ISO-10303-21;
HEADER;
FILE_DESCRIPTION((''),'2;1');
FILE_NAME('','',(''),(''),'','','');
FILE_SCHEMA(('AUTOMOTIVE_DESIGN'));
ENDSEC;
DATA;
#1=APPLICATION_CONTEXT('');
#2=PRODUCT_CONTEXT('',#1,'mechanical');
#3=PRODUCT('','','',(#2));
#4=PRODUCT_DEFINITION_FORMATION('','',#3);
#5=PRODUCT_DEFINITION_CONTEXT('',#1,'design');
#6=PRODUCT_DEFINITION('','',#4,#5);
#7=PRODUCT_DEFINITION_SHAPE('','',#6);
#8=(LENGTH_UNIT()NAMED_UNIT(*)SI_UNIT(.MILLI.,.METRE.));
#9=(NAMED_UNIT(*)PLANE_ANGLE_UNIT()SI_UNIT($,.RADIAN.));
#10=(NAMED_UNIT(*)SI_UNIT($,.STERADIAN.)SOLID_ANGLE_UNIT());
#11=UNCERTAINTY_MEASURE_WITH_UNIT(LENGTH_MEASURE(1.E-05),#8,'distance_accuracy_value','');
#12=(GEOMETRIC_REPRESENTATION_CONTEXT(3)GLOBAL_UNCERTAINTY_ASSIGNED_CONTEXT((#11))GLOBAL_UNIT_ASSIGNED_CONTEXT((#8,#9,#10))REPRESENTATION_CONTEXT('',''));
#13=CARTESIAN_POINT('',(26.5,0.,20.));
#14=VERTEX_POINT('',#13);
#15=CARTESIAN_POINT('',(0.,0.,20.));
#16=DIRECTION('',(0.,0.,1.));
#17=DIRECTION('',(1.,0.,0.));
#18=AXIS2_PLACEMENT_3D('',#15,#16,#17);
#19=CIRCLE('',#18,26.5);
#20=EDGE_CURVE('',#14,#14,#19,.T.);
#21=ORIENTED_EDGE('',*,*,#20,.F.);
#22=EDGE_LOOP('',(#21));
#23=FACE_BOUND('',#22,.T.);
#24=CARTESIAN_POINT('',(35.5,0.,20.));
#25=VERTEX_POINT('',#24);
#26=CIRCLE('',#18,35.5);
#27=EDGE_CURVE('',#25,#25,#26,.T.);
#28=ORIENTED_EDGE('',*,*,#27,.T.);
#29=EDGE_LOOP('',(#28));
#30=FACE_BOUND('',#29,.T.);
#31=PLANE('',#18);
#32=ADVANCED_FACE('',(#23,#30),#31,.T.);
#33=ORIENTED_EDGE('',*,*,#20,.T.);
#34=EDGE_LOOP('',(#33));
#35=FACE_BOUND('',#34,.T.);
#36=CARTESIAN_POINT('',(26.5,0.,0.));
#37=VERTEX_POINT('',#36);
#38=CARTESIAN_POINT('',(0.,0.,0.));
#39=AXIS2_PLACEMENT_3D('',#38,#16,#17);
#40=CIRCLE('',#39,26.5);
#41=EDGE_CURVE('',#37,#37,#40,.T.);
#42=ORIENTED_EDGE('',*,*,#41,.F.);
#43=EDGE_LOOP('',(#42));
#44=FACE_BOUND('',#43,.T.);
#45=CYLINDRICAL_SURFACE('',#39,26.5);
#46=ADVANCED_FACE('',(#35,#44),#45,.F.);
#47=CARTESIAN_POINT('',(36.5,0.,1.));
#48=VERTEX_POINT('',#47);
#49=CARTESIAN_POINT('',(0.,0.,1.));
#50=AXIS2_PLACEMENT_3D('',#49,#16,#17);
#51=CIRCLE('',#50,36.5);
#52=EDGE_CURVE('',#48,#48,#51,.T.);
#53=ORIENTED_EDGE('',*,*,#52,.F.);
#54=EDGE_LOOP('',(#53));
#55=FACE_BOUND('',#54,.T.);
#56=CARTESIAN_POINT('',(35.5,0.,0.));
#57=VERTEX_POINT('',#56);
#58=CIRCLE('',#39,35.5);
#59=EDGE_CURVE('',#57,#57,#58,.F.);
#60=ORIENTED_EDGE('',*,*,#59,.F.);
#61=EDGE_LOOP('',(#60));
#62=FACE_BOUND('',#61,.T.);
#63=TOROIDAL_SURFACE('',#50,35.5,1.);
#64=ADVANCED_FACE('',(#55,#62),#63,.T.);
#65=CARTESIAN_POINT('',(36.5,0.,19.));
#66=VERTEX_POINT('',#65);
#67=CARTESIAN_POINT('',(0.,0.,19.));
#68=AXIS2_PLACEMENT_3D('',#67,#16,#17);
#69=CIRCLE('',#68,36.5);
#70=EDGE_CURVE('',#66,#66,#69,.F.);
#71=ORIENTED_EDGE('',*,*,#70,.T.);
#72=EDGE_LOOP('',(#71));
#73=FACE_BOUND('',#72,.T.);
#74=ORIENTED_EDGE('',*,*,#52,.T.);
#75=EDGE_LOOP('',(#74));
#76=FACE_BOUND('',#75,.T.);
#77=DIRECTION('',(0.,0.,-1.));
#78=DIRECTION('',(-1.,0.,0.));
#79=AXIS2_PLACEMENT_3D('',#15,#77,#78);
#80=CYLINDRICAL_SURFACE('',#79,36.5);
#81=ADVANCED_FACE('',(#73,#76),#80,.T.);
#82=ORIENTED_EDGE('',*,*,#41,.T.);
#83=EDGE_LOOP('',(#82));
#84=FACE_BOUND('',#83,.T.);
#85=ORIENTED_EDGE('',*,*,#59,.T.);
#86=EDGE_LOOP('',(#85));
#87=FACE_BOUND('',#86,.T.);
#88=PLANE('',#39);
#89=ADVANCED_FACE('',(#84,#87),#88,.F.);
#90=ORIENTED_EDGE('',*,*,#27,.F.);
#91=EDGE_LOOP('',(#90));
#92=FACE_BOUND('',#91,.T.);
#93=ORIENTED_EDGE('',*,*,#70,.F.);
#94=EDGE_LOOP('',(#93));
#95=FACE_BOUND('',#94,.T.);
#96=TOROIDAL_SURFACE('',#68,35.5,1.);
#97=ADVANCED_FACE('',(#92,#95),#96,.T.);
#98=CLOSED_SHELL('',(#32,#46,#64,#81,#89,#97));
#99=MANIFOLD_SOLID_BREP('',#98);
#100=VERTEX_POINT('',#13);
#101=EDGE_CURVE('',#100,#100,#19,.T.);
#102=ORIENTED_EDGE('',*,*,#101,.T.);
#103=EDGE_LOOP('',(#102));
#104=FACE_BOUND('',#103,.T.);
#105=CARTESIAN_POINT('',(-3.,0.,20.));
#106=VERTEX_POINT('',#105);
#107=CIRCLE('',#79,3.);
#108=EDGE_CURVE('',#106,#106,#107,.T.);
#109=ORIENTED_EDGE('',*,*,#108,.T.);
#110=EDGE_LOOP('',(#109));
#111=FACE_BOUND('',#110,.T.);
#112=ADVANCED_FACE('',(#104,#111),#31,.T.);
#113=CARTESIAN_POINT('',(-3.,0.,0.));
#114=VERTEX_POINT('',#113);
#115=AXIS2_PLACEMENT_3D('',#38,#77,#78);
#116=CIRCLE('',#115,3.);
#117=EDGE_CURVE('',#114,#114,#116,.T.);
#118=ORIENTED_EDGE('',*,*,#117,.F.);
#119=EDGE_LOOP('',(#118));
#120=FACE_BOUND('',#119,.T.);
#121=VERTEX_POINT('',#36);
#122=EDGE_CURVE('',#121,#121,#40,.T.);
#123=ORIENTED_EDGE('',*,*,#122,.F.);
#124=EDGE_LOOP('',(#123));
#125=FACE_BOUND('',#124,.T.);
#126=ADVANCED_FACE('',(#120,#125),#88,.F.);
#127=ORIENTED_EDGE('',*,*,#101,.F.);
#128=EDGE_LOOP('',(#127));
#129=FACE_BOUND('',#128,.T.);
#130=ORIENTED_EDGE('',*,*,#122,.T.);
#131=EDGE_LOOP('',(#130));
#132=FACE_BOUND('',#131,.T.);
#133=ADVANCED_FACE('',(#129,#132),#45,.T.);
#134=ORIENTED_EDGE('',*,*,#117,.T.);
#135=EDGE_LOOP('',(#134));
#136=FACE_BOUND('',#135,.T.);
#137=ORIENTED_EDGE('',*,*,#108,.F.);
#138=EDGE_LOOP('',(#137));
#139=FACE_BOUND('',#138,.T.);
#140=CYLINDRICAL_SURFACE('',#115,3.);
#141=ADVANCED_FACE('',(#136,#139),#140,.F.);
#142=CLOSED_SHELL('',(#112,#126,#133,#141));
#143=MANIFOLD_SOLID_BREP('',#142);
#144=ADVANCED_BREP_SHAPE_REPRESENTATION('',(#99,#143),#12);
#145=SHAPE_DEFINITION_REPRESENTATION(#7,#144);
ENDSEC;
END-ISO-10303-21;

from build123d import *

# Parameters (mm, degrees)
ESQUISSE1_R             = 36.5
BOSS_EXTRU_1_DEPTH      = 20
ESQUISSE2_R             = 26.5
ENL_V_MAT_EXTRU_2_DEPTH = 20
ESQUISSE4_R             = 26.5
BOSS_EXTRU_3_DEPTH      = 20
ESQUISSE9_W             = 3
ESQUISSE9_H             = 20
CONG_1_R                = 1


with BuildPart() as part:
    # Esquisse1 → Boss.-Extru.1 (new body)
    with BuildSketch(Plane.XY):
        Circle(ESQUISSE1_R)
    extrude(amount=BOSS_EXTRU_1_DEPTH)

    # Esquisse2 → Enlèv. mat.-Extru.2 (cut)
    with BuildSketch(Plane.XY.offset(20)):
        Circle(ESQUISSE2_R)
    extrude(amount=-ENL_V_MAT_EXTRU_2_DEPTH, mode=Mode.SUBTRACT)

    # Congé1
    cong_1_edges = [part.edges().sort_by_distance(p)[0] for p in [
        (-36.5, 0, 0),
        (-36.5, 0, 20),
    ]]
    fillet(cong_1_edges, radius=CONG_1_R)


with BuildPart() as body_2:
    # Esquisse4 → Boss.-Extru.3 (new body)
    with BuildSketch(Plane.XY.offset(20)):
        Circle(ESQUISSE4_R)
    extrude(amount=-BOSS_EXTRU_3_DEPTH)

    # Esquisse9 → Dégagement M81 (revolve, cut)
    with BuildSketch(Plane.YZ):
        with Locations((1.5, 10)):
            Rectangle(ESQUISSE9_W, ESQUISSE9_H)
    revolve(axis=Axis((0, 0, -6.35), (0, 0, 1)), mode=Mode.SUBTRACT)


solid = Compound([part.part, body_2.part])
